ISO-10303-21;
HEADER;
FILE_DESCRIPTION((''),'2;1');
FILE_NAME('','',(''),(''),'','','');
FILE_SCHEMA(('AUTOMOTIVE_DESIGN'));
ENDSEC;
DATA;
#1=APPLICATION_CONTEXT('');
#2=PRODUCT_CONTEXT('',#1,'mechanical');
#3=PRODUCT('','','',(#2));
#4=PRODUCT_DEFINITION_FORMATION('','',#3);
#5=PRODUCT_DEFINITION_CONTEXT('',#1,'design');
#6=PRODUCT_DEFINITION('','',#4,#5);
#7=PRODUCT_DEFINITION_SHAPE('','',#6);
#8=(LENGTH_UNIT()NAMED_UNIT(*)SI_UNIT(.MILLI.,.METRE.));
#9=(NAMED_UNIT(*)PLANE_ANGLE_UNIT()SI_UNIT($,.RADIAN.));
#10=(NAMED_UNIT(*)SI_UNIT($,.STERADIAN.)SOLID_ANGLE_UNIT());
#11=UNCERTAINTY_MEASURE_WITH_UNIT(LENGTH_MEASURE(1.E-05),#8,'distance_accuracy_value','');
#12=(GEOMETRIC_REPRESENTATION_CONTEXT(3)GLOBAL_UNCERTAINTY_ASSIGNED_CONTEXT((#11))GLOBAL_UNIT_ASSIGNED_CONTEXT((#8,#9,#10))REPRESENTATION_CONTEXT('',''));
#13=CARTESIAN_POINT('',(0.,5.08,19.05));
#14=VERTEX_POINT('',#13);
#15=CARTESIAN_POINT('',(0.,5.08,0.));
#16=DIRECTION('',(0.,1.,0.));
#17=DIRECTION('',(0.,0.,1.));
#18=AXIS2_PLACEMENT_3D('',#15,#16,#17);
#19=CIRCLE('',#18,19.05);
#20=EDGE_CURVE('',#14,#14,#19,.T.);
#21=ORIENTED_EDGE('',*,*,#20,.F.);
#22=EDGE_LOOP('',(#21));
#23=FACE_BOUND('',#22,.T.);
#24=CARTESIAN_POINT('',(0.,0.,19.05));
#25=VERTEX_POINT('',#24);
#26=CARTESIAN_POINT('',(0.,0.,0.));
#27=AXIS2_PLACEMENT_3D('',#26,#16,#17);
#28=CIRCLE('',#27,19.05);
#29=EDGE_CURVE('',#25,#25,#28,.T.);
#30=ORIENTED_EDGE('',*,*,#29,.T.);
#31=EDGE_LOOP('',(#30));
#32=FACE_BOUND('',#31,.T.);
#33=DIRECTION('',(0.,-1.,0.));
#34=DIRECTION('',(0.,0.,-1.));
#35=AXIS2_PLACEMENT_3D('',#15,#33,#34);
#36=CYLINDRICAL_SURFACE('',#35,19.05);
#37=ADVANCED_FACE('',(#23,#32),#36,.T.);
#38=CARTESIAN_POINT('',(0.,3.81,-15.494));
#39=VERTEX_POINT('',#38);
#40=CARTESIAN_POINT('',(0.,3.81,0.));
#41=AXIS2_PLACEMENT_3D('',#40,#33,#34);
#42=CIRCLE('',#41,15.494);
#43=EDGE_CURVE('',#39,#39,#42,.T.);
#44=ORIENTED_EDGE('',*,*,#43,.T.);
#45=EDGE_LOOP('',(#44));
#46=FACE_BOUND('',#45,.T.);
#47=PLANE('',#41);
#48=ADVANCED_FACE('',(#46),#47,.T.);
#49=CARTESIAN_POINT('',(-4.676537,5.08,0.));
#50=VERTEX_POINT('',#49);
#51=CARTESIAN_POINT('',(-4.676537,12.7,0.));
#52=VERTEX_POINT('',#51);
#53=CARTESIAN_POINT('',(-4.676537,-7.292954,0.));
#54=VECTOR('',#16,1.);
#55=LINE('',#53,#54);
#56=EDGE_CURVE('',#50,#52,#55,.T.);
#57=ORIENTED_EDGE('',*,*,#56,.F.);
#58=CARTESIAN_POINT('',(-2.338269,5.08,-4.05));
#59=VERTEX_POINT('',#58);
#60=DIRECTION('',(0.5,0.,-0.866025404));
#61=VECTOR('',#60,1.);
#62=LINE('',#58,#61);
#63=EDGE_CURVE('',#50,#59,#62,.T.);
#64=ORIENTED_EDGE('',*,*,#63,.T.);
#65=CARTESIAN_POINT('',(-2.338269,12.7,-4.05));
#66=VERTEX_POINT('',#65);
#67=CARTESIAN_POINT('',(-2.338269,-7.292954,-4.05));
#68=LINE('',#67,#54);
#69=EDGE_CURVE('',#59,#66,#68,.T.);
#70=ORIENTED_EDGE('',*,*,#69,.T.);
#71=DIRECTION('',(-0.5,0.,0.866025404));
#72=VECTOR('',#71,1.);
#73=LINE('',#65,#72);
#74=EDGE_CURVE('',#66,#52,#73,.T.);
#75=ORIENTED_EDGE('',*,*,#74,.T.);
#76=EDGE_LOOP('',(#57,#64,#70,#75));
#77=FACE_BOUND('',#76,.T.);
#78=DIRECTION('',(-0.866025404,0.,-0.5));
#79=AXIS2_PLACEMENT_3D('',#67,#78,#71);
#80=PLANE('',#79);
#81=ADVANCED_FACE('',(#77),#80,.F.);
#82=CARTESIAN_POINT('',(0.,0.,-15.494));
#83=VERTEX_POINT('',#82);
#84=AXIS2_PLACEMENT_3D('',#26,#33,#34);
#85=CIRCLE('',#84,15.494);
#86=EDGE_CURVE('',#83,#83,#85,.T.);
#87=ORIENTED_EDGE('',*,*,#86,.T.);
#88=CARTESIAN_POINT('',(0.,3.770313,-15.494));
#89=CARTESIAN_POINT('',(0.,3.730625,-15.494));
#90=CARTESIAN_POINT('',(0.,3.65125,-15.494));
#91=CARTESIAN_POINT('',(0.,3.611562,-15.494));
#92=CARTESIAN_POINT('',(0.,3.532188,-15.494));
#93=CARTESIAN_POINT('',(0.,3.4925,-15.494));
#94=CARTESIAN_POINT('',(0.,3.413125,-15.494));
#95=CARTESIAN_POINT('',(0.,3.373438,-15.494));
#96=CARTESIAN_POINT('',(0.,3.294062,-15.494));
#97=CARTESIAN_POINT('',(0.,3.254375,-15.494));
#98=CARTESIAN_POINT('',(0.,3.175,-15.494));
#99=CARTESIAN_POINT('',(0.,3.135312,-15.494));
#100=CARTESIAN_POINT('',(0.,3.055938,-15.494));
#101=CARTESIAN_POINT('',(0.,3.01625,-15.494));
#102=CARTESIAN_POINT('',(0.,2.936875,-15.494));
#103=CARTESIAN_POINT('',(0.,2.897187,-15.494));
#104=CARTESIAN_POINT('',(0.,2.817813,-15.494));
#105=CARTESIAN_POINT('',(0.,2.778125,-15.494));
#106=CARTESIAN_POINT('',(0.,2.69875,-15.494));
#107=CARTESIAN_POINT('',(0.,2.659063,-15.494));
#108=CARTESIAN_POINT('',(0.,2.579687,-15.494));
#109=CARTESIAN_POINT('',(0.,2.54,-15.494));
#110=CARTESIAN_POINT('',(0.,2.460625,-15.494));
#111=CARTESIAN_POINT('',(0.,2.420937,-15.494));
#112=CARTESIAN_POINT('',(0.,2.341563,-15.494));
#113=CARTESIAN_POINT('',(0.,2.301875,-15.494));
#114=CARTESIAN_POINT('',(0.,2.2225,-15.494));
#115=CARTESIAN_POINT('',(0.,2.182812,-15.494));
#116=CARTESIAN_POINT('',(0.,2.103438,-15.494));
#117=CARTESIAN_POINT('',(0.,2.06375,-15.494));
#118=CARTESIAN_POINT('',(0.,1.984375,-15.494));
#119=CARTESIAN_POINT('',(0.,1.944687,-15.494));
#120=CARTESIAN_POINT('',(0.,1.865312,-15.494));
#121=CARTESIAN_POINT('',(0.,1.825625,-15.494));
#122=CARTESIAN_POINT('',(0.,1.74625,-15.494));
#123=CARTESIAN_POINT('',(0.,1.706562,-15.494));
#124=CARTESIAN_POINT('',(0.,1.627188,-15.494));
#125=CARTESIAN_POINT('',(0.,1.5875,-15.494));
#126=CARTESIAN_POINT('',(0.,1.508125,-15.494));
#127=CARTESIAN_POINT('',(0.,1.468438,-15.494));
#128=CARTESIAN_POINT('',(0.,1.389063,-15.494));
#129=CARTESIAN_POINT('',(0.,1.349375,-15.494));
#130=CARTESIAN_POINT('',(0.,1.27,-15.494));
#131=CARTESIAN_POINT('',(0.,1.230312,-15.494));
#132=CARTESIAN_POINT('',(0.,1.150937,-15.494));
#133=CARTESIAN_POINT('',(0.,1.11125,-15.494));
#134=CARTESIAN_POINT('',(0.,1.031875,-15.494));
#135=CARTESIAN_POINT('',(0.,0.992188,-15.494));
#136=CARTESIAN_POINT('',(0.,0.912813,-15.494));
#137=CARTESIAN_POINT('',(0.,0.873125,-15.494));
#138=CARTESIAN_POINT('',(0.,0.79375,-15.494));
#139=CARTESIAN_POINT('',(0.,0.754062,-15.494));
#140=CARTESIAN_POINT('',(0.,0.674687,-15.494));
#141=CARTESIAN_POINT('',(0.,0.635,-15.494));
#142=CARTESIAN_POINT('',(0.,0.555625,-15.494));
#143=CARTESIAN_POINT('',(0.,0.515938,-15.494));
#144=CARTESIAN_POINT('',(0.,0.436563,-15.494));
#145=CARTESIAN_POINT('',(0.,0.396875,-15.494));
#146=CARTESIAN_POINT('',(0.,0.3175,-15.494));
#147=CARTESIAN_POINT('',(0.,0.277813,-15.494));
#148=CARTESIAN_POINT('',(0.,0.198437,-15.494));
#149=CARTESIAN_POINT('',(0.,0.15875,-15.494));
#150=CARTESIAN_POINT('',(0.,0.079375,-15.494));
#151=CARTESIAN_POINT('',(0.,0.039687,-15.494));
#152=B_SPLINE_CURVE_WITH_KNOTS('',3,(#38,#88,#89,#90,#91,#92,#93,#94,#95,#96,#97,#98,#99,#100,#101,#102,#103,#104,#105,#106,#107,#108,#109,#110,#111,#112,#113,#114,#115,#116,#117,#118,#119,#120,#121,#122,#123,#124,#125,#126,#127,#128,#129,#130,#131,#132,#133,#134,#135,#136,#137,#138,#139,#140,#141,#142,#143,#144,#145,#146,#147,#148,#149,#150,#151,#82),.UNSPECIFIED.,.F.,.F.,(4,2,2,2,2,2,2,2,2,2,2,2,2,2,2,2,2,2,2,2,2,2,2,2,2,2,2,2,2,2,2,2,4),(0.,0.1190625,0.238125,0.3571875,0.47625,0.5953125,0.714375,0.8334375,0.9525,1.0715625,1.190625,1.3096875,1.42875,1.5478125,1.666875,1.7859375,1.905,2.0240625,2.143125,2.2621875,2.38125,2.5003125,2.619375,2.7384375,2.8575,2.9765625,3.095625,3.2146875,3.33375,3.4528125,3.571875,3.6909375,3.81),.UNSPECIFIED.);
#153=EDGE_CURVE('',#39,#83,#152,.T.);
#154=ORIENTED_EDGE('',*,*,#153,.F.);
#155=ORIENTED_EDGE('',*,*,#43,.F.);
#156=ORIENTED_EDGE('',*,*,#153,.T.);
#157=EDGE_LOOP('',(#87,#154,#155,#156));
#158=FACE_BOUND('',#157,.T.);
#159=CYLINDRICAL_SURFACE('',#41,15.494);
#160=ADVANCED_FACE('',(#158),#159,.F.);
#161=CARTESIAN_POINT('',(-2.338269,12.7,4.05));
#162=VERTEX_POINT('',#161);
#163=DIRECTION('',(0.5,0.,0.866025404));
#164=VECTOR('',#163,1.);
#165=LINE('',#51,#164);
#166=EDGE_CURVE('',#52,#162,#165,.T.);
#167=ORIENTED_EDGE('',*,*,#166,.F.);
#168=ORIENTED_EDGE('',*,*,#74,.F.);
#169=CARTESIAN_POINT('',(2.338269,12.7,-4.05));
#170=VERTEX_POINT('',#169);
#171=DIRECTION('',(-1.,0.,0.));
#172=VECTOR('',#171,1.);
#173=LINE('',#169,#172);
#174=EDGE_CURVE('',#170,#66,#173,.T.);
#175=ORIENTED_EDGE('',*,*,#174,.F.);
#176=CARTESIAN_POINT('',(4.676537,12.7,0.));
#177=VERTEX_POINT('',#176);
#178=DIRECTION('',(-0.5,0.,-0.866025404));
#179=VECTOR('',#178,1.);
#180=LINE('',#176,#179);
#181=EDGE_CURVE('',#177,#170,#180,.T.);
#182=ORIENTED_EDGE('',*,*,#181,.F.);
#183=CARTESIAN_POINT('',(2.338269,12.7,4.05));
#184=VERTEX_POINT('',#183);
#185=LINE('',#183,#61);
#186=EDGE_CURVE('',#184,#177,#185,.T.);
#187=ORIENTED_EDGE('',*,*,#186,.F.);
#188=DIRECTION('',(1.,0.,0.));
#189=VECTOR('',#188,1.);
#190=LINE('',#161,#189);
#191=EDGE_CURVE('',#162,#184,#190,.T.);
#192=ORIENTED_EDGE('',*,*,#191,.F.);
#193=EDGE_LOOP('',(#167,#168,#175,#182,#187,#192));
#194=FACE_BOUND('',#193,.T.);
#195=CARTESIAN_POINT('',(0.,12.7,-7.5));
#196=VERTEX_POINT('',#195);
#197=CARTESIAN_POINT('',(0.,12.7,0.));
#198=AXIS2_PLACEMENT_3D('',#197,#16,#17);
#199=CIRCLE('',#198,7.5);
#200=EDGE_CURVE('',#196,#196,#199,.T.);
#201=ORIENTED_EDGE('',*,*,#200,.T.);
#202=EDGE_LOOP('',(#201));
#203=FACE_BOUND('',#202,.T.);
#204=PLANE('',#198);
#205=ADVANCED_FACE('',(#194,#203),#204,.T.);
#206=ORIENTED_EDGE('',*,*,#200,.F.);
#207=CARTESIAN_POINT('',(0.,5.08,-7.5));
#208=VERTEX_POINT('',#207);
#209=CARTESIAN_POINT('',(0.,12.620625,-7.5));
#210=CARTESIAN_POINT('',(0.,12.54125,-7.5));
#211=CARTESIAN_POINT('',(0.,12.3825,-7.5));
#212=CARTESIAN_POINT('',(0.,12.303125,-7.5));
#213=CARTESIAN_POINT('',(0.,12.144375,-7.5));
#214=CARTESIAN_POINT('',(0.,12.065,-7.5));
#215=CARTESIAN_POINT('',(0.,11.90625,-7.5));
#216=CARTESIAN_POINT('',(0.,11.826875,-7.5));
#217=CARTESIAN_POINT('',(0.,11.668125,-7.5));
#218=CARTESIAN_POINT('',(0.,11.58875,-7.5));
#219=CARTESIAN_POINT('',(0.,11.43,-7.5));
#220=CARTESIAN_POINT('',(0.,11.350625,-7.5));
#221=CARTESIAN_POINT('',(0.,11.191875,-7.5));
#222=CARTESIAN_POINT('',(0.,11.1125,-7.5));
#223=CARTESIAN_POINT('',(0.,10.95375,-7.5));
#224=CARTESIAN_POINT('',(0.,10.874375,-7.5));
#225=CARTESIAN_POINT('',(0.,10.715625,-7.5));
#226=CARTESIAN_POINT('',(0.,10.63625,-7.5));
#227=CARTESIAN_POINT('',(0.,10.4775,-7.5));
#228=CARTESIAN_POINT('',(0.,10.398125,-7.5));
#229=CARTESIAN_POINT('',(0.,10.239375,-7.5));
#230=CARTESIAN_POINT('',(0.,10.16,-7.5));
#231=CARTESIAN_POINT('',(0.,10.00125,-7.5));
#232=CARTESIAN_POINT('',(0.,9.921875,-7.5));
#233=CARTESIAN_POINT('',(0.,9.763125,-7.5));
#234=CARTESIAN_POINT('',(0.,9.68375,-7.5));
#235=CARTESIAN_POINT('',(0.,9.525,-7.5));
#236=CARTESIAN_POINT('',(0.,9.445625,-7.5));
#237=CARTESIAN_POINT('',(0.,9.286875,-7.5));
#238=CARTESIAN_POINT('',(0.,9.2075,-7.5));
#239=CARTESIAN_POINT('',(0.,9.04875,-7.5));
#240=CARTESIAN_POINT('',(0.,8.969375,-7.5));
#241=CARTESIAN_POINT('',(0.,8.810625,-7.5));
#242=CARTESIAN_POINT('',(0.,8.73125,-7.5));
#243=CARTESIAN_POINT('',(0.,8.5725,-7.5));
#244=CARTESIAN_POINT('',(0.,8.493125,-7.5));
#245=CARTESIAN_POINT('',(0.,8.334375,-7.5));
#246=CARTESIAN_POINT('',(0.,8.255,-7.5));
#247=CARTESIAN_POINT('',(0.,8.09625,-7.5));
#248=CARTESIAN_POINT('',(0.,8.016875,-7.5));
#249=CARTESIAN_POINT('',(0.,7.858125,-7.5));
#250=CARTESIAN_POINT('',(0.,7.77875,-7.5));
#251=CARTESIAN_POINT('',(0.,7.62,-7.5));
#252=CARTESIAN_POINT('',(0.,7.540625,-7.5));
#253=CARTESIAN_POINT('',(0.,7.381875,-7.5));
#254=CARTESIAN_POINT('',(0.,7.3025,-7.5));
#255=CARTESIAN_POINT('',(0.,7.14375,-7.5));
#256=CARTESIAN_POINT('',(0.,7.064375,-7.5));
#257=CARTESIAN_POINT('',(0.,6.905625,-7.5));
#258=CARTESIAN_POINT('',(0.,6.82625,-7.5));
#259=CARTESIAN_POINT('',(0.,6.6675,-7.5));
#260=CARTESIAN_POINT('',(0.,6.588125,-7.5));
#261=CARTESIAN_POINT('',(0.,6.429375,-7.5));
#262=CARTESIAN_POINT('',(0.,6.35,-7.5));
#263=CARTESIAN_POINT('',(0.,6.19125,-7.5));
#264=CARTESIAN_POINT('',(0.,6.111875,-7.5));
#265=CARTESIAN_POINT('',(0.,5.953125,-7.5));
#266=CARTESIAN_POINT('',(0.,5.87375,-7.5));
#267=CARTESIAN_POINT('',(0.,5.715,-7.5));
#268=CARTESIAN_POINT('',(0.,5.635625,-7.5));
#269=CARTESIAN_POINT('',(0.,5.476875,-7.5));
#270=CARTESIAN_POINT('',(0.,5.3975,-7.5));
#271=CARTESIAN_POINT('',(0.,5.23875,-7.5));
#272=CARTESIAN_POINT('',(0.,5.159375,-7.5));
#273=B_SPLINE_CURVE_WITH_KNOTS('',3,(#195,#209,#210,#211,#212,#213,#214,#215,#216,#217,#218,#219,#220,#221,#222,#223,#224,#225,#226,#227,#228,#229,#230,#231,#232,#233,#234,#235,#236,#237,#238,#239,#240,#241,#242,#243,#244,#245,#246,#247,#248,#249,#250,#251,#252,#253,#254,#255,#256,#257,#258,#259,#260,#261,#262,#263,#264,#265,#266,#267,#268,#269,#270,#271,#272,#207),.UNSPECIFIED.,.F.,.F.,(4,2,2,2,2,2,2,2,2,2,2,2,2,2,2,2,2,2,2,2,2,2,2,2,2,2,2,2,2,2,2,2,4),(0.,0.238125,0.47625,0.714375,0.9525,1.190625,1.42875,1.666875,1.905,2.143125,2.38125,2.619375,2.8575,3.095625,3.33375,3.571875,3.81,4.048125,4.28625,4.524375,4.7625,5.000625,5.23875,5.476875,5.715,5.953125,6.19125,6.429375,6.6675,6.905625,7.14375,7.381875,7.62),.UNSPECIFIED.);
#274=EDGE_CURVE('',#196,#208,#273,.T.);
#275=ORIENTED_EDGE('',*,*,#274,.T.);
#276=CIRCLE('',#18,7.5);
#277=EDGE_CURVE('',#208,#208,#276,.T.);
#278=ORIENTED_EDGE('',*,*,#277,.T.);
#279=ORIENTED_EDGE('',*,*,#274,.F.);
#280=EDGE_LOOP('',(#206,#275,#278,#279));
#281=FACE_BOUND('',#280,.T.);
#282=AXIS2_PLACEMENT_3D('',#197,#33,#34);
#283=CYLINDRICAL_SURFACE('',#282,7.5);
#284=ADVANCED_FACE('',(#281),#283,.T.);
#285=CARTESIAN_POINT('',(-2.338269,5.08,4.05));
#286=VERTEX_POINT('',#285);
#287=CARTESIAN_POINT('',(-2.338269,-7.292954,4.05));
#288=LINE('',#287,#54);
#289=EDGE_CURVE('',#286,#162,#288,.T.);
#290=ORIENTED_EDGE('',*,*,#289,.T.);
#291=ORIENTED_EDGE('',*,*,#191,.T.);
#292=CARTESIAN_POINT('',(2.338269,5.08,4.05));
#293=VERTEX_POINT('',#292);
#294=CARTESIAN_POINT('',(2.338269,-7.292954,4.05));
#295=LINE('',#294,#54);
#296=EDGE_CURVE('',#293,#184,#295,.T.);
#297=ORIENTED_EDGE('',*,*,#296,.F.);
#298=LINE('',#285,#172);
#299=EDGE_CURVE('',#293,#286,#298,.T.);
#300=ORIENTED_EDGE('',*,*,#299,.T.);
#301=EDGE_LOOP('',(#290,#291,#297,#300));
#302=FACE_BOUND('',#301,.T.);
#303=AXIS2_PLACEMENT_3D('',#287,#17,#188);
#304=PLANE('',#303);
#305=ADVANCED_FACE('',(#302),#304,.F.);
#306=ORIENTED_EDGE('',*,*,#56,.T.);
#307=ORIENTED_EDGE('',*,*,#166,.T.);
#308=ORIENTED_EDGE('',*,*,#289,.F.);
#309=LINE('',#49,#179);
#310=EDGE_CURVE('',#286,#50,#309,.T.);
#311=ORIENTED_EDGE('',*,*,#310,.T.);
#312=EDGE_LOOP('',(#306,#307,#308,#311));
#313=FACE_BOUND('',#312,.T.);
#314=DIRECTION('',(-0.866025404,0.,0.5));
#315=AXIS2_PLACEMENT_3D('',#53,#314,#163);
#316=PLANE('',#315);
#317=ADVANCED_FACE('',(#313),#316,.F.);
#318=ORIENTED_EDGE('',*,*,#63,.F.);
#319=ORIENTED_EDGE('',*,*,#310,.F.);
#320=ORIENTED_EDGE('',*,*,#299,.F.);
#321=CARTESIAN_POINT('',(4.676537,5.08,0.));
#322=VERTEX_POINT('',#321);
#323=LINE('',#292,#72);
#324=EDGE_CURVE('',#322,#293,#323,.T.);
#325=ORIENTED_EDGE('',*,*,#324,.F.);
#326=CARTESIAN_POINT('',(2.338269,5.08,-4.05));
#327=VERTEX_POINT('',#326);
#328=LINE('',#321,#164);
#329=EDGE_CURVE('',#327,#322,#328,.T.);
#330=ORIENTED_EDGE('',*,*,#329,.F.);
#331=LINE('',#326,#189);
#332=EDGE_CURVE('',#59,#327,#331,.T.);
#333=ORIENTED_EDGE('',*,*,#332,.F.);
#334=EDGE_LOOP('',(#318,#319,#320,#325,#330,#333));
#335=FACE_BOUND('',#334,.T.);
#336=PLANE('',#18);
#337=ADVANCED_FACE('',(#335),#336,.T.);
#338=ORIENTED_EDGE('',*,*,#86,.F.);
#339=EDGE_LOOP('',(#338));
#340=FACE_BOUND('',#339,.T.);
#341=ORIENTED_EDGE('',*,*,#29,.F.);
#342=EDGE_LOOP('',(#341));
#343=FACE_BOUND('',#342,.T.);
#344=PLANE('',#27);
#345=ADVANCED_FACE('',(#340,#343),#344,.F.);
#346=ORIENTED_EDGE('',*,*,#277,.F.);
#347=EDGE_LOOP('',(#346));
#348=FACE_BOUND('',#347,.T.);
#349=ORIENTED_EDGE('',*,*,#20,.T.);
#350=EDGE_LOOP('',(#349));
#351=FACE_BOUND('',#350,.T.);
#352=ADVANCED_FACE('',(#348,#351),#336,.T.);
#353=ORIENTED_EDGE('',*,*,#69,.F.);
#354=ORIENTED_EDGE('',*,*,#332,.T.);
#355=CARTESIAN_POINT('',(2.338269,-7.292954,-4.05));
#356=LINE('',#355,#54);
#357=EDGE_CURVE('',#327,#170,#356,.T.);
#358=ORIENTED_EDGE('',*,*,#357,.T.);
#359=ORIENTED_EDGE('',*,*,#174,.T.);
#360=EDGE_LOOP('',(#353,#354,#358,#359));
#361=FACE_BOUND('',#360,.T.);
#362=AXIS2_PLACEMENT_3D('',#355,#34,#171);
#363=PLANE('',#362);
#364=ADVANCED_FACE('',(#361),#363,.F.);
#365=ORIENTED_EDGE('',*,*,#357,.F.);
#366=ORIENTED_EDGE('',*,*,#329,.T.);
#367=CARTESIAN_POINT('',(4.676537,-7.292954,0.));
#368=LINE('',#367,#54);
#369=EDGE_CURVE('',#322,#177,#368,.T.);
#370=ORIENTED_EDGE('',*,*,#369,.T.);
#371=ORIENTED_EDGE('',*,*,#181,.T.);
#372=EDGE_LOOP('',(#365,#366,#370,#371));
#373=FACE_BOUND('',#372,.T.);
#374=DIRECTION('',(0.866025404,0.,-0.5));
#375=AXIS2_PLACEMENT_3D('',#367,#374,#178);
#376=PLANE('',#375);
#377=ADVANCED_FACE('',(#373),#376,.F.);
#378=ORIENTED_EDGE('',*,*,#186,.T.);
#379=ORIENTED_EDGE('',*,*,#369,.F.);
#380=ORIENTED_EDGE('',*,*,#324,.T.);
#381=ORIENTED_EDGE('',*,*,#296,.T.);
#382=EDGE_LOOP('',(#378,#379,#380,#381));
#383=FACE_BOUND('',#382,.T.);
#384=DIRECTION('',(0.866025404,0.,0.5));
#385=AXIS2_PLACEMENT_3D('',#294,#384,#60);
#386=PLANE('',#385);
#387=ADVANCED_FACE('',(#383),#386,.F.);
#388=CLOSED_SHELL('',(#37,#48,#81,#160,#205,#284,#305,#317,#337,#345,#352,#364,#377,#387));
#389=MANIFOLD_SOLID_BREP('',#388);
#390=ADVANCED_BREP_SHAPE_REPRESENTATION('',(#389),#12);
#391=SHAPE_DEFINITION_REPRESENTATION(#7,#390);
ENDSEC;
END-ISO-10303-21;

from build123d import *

# Parameters (mm, degrees)
SKETCH1_R           = 19.05
BOSS_EXTRUDE1_DEPTH = 5.08
SKETCH3_R           = 7.5
BOSS_EXTRUDE2_DEPTH = 7.62
CUT_EXTRUDE1_DEPTH  = 7.62
SKETCH5_R           = 15.494
CUT_EXTRUDE2_DEPTH  = 3.81


with BuildPart() as part:
    # Sketch1 → Boss-Extrude1 (new body)
    with BuildSketch(Plane(origin=(0, 0, 0), x_dir=(1, 0, 0), z_dir=(0, 1, 0))):
        with Locations(Location((0, 0, 0), (0, 0, 270))):
            Circle(SKETCH1_R)
    extrude(amount=BOSS_EXTRUDE1_DEPTH)

    # Sketch3 → Boss-Extrude2 (add)
    with BuildSketch(Plane(origin=(0, 5.08, 0), x_dir=(1, 0, 0), z_dir=(0, 1, 0))):
        with Locations(Location((0, 0, 0), (0, 0, 90))):
            Circle(SKETCH3_R)
    extrude(amount=BOSS_EXTRUDE2_DEPTH)

    # Sketch4 → Cut-Extrude1 (cut)
    with BuildSketch(Plane(origin=(0, 12.7, 0), x_dir=(1, 0, 0), z_dir=(0, 1, 0))):
        Polygon((4.67653718, 0), (2.33826859, 4.05), (-2.33826859, 4.05), (-4.67653718, 0), (-2.33826859, -4.05), (2.33826859, -4.05), align=None)
    extrude(amount=-CUT_EXTRUDE1_DEPTH, mode=Mode.SUBTRACT)

    # Sketch5 → Cut-Extrude2 (cut)
    with BuildSketch(Plane.XZ):
        with Locations(Location((0, 0, 0), (0, 0, 270))):
            Circle(SKETCH5_R)
    extrude(amount=-CUT_EXTRUDE2_DEPTH, mode=Mode.SUBTRACT)


solid = part.part
